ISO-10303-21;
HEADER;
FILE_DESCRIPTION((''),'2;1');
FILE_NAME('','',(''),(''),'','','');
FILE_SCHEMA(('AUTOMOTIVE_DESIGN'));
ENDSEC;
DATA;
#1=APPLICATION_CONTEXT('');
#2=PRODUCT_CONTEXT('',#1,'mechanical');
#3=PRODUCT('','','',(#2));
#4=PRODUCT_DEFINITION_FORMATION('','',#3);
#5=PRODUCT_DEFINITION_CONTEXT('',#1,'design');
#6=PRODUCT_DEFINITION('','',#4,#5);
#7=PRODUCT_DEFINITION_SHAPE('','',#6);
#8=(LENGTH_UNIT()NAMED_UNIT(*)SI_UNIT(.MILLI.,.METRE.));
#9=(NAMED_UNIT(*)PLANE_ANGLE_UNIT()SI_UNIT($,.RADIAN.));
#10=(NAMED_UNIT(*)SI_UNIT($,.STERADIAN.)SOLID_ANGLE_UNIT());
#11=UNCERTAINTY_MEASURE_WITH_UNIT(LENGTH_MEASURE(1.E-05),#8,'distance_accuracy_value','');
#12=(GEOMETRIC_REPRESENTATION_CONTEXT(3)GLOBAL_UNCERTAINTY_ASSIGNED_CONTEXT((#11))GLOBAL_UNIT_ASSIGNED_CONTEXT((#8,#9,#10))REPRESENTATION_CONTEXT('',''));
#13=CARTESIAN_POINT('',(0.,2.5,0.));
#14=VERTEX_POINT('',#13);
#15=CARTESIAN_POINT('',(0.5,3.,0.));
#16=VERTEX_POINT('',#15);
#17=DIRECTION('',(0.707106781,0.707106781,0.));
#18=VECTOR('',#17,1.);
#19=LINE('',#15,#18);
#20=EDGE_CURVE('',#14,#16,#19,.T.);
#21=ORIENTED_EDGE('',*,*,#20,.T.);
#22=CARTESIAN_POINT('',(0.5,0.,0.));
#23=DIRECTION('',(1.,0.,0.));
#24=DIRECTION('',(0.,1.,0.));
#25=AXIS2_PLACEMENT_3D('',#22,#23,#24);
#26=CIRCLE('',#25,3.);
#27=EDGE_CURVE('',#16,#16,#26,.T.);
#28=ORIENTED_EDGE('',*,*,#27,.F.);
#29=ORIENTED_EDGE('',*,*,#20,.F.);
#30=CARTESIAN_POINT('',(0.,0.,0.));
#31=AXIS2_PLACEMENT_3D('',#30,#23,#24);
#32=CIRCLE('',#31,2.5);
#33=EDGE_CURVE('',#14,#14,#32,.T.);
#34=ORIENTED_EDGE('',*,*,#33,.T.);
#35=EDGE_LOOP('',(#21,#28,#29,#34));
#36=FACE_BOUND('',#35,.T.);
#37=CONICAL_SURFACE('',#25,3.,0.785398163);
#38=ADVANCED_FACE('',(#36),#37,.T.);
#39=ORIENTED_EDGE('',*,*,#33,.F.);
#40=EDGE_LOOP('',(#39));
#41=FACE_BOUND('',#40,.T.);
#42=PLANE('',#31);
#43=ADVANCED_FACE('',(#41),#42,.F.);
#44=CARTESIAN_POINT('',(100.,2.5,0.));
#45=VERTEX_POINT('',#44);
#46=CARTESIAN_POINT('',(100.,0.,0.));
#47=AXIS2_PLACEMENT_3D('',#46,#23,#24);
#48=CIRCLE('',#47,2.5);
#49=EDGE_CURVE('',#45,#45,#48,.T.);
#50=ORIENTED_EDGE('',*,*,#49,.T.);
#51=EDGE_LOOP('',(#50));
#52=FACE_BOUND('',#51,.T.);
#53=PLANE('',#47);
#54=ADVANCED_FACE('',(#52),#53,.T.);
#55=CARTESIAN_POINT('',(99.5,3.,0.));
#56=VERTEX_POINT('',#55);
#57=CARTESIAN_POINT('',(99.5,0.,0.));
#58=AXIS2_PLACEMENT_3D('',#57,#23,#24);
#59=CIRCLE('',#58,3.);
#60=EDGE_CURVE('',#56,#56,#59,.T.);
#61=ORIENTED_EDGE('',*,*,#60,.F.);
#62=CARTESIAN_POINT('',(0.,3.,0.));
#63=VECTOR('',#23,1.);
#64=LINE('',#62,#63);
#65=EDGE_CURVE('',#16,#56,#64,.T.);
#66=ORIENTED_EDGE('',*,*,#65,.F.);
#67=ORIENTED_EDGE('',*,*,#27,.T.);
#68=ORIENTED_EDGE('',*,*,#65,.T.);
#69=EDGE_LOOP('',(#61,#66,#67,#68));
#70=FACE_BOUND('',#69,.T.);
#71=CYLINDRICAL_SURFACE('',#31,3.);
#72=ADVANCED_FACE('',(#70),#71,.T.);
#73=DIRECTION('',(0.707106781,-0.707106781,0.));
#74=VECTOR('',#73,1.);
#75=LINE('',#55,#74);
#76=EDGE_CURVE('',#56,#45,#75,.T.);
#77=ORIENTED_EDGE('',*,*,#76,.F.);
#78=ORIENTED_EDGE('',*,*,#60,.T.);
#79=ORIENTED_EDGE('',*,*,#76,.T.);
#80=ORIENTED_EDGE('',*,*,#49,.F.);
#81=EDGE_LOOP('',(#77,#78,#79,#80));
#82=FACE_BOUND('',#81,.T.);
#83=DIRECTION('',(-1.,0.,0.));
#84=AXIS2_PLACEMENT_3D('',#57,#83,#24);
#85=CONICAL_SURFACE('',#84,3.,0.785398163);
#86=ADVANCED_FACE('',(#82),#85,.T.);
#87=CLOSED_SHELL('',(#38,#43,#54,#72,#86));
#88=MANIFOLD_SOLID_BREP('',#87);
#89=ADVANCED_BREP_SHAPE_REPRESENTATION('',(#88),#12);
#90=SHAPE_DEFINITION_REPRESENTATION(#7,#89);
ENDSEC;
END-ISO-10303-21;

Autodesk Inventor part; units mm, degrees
ref_plane "Startebene" through (0, 0, 0) normal (1, 0, 0) x (0, 1, 0)
ref_plane "XZ Plane" through (0, 0, 0) normal (0, 1, 0) x (-1, 0, 0)
ref_plane "XY Plane" through (0, 0, 0) normal (0, 0, 1) x (1, 0, 0)
sketch "Hauptskizze" plane through (0, 0, 0) normal (0, 0, 1) x (1, 0, 0)
  line L0 (0, 0) -> (100, 0)
  line L1 (0, 0) -> (0, 3)
  line L2 (100, 3) -> (100, 0)
  line L3 (0, 3) -> (100, 3)
  dimension "d3" = 6
revolve "Umdrehung1" add sketch "Hauptskizze" angle 360 about axis through (0, 0, 0) along (1, 0, 0)
chamfer "Fase3" distance 0.5 angle 45 1 edges at (0, -3, 0) measured on face at (66.6667, 2.9612, -0.4812)
chamfer "Fase2" distance 0.5 angle 45 1 edges at (100, -3, 0) measured on face at (33.6667, 2.9612, -0.4812)
properties part number "Welle" material "Steel"
